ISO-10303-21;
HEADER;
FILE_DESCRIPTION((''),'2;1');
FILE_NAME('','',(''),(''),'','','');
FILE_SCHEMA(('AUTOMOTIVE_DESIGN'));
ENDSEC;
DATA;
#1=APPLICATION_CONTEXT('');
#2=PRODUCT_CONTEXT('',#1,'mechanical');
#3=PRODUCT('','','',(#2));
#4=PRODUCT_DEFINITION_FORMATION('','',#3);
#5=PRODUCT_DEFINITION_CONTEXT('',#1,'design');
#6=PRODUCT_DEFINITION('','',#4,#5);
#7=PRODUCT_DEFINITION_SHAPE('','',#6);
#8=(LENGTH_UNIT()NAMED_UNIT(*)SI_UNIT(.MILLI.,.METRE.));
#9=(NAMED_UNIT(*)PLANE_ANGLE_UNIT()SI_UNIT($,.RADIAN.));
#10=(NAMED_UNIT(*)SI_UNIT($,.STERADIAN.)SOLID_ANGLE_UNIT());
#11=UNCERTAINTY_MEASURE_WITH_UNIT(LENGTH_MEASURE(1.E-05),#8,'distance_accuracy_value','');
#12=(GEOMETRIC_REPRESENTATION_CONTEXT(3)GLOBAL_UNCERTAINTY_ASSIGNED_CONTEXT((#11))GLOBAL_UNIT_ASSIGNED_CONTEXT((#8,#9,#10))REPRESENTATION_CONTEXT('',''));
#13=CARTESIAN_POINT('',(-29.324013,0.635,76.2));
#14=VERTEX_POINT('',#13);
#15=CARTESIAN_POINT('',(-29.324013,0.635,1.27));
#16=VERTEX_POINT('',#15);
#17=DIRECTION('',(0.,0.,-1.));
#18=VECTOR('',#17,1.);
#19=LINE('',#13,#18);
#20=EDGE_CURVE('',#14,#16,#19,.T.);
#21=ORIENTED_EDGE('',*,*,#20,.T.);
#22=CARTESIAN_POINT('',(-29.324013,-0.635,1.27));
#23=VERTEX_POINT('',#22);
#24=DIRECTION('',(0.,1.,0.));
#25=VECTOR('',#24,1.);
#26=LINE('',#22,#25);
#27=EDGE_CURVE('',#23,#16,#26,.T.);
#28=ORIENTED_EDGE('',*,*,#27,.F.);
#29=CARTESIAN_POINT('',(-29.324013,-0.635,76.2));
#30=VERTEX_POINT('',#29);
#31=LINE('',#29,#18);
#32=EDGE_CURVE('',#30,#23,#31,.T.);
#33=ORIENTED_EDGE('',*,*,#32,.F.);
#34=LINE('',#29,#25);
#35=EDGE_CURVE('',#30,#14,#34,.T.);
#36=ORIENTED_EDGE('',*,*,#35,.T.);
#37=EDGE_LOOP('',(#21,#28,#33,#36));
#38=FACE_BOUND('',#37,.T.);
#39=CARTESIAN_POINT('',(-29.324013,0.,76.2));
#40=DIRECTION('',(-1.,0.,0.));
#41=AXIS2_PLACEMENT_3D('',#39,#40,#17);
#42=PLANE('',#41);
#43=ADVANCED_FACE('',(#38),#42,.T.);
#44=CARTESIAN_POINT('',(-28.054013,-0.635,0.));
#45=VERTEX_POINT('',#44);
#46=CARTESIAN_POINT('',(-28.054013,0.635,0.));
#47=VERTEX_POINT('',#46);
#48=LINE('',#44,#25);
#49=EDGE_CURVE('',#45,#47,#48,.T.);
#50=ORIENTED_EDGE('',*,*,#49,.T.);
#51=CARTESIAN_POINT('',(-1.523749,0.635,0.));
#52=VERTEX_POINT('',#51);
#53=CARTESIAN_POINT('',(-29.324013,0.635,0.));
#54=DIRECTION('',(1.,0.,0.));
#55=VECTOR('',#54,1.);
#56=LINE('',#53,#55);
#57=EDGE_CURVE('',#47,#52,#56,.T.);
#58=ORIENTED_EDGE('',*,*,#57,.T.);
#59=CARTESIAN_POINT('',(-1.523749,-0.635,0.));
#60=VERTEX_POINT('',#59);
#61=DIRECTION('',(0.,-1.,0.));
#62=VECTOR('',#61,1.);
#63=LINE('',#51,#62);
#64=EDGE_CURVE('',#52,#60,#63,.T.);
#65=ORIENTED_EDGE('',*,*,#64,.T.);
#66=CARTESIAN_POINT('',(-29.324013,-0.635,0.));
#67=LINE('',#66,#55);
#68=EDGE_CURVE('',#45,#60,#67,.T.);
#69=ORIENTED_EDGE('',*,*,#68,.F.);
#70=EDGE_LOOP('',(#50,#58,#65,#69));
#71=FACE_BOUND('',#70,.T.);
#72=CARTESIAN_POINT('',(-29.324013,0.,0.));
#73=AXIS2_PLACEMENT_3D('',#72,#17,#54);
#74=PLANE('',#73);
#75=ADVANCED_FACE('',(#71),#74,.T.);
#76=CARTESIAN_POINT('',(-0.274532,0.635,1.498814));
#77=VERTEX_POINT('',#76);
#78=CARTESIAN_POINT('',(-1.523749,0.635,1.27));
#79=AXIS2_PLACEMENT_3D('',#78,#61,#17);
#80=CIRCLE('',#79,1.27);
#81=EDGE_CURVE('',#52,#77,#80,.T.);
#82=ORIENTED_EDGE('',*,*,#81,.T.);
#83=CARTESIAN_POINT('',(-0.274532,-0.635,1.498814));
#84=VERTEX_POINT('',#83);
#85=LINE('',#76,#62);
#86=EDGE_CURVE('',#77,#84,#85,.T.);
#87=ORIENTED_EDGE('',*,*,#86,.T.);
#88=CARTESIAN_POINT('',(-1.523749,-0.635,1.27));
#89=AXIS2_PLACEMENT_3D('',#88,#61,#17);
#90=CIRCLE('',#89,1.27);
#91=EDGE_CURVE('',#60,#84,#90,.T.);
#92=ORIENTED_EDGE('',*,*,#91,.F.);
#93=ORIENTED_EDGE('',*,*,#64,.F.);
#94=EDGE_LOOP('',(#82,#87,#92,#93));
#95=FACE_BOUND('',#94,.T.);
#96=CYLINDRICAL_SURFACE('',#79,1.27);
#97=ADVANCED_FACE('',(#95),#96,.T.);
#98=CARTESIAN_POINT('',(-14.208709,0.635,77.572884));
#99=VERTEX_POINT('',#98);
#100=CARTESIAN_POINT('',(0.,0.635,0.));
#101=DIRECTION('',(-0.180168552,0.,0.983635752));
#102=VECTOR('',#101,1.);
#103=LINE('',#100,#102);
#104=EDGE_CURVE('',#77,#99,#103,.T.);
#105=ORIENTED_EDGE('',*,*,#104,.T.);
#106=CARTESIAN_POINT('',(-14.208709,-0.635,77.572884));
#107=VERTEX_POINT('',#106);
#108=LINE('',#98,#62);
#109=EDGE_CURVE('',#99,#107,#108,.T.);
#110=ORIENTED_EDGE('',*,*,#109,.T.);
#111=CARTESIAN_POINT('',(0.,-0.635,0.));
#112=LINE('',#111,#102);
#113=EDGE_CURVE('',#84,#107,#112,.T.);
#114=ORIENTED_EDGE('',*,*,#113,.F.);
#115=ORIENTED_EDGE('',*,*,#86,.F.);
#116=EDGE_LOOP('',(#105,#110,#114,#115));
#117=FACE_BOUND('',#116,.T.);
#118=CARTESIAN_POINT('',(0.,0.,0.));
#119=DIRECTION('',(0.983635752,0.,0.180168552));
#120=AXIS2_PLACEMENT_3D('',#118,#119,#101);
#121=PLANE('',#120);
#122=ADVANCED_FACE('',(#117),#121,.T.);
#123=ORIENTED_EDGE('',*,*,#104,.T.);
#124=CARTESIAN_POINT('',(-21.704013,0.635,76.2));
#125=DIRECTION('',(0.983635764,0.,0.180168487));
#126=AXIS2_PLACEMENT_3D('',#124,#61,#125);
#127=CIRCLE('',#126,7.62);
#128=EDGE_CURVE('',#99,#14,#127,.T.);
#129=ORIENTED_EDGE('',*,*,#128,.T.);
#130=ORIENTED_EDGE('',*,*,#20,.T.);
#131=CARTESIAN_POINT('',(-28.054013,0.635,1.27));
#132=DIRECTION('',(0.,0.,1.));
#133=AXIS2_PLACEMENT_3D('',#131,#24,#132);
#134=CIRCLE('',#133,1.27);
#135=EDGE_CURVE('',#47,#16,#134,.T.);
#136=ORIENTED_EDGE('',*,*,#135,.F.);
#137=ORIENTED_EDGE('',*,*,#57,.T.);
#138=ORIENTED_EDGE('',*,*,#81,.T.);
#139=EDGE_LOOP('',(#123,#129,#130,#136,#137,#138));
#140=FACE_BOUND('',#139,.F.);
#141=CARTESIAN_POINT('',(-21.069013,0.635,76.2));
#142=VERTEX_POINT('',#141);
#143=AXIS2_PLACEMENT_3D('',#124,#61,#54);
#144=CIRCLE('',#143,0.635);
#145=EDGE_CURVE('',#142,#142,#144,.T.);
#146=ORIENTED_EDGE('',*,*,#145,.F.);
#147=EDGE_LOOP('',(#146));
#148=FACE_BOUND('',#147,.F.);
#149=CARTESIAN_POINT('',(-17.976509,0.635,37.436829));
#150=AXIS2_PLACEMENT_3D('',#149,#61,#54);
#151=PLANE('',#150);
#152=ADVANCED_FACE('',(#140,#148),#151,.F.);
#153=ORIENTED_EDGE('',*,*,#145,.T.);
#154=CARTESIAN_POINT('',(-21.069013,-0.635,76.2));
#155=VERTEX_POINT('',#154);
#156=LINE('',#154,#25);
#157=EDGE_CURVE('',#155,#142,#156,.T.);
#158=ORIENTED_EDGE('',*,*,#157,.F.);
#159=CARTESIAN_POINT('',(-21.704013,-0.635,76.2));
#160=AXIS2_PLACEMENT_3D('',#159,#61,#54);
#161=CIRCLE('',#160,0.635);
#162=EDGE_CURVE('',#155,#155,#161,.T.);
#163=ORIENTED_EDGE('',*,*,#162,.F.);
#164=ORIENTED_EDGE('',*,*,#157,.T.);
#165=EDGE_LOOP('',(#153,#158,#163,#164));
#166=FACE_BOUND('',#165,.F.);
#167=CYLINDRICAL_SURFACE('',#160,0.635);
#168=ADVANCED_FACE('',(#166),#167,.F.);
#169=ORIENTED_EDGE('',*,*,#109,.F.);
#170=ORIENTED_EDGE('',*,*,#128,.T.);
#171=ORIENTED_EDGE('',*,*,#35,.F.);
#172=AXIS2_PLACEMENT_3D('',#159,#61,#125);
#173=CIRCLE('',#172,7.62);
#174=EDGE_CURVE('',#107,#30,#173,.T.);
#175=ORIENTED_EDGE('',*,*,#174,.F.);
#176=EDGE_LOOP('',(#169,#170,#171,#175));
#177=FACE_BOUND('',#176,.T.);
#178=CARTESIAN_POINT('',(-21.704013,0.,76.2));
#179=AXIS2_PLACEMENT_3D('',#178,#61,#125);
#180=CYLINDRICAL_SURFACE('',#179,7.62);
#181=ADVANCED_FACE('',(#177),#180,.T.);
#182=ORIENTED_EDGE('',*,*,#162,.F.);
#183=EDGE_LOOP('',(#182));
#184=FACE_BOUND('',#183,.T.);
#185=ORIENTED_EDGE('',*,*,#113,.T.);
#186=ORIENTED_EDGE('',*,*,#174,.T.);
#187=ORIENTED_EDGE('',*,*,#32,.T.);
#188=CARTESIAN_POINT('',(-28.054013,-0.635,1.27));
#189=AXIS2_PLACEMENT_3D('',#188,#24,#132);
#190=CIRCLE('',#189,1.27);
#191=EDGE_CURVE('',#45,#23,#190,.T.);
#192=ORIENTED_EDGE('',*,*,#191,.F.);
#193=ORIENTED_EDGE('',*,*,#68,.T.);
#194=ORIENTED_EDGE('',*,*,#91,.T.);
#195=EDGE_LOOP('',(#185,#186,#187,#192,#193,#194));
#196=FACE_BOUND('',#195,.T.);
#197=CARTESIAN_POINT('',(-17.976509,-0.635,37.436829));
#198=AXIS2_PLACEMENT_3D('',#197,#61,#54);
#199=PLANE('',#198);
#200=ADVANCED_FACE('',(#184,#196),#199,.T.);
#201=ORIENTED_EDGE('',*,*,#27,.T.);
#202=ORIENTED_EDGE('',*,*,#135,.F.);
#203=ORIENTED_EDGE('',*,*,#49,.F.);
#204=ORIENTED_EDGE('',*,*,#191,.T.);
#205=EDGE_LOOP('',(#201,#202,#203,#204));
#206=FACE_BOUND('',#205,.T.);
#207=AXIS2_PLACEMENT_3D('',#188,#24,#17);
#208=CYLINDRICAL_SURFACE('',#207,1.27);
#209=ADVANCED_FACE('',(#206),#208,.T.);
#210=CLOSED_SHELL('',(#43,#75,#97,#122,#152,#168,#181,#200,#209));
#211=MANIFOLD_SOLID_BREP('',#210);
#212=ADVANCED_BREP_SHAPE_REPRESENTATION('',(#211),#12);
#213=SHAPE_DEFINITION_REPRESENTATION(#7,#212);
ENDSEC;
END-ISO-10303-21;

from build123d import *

# Parameters (mm, degrees)
F1_DEPTH = 0.635
F2_R     = 0.635
F3_DEPTH = 1.27
F4_R     = 1.27


with BuildPart() as f1:
    # F0 (on Front) → F1 (new body, symmetric)
    with BuildSketch(Plane.XZ):
        with BuildLine():
            Line((-29.324013, 0), (0, 0))
            Line((0, 0), (-14.208709, 77.572884))
            ThreePointArc((-14.208709, 77.572884), (-22.393281, 83.788762), (-29.324013, 76.2))
            Line((-29.324013, 76.2), (-29.324013, 0))
        make_face()
    extrude(amount=F1_DEPTH, both=True)

    # F2 (on face) → F3 (cut, through all)
    with BuildSketch(Plane.XZ.offset(0.635)):
        with Locations((-21.704013, 76.2)):
            Circle(F2_R)
    extrude(amount=-F3_DEPTH, mode=Mode.SUBTRACT)

    # F4
    f4_edges = [f1.edges().sort_by_distance(p)[0] for p in [
        (-29.324013, 0, 0),
        (0, 0, 0),
    ]]
    fillet(f4_edges, radius=F4_R)


solid = f1.part
